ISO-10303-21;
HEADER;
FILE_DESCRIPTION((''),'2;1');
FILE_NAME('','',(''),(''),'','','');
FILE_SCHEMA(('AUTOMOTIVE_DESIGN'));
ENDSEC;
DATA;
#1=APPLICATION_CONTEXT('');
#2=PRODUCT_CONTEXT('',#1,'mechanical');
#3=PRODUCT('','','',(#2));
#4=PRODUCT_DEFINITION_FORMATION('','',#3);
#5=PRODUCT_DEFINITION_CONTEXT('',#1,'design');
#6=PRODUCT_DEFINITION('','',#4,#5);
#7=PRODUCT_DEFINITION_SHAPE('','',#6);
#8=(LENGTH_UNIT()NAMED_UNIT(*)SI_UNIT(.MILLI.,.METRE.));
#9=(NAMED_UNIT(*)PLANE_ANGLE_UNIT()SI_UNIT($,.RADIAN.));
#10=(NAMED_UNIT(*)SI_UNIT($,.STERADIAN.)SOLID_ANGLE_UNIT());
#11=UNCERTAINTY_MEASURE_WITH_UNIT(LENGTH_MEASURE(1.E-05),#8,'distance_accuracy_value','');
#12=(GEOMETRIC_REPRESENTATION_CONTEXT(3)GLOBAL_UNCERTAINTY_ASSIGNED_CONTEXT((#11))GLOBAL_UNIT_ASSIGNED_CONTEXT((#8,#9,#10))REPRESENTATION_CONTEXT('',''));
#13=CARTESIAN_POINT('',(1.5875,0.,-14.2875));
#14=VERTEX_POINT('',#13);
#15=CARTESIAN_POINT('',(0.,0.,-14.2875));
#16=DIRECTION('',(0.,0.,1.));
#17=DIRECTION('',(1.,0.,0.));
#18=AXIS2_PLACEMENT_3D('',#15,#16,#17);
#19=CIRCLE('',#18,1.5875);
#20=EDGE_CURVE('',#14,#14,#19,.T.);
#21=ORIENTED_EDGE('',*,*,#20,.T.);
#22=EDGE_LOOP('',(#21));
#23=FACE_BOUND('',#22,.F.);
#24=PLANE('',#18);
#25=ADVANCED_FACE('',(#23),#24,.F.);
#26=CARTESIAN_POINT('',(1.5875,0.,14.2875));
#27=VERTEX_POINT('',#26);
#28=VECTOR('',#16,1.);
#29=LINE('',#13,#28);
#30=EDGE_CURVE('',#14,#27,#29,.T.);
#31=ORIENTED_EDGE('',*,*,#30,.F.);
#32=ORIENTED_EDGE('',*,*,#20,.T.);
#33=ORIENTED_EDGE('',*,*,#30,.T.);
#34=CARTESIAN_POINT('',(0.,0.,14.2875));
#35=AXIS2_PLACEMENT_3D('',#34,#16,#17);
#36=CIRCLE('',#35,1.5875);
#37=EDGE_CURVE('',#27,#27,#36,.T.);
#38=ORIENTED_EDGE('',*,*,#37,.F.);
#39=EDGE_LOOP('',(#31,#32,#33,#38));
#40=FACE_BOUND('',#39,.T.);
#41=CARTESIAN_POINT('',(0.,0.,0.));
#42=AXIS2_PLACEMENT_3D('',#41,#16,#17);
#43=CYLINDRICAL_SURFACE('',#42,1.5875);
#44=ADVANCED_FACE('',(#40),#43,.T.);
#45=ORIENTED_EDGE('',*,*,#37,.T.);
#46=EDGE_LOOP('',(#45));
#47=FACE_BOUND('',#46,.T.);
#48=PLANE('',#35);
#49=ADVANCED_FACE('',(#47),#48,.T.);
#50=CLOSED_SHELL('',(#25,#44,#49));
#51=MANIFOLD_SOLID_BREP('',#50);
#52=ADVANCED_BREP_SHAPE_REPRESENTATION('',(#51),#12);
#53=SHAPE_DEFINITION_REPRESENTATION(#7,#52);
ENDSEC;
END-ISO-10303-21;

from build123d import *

# Parameters (mm, degrees)
SKETCH1_R           = 1.5875
BOSS_EXTRUDE1_DEPTH = 14.2875


with BuildPart() as part:
    # Sketch1 → Boss-Extrude1 (new body, symmetric)
    with BuildSketch(Plane.XY):
        Circle(SKETCH1_R)
    extrude(amount=BOSS_EXTRUDE1_DEPTH, both=True)


solid = part.part
